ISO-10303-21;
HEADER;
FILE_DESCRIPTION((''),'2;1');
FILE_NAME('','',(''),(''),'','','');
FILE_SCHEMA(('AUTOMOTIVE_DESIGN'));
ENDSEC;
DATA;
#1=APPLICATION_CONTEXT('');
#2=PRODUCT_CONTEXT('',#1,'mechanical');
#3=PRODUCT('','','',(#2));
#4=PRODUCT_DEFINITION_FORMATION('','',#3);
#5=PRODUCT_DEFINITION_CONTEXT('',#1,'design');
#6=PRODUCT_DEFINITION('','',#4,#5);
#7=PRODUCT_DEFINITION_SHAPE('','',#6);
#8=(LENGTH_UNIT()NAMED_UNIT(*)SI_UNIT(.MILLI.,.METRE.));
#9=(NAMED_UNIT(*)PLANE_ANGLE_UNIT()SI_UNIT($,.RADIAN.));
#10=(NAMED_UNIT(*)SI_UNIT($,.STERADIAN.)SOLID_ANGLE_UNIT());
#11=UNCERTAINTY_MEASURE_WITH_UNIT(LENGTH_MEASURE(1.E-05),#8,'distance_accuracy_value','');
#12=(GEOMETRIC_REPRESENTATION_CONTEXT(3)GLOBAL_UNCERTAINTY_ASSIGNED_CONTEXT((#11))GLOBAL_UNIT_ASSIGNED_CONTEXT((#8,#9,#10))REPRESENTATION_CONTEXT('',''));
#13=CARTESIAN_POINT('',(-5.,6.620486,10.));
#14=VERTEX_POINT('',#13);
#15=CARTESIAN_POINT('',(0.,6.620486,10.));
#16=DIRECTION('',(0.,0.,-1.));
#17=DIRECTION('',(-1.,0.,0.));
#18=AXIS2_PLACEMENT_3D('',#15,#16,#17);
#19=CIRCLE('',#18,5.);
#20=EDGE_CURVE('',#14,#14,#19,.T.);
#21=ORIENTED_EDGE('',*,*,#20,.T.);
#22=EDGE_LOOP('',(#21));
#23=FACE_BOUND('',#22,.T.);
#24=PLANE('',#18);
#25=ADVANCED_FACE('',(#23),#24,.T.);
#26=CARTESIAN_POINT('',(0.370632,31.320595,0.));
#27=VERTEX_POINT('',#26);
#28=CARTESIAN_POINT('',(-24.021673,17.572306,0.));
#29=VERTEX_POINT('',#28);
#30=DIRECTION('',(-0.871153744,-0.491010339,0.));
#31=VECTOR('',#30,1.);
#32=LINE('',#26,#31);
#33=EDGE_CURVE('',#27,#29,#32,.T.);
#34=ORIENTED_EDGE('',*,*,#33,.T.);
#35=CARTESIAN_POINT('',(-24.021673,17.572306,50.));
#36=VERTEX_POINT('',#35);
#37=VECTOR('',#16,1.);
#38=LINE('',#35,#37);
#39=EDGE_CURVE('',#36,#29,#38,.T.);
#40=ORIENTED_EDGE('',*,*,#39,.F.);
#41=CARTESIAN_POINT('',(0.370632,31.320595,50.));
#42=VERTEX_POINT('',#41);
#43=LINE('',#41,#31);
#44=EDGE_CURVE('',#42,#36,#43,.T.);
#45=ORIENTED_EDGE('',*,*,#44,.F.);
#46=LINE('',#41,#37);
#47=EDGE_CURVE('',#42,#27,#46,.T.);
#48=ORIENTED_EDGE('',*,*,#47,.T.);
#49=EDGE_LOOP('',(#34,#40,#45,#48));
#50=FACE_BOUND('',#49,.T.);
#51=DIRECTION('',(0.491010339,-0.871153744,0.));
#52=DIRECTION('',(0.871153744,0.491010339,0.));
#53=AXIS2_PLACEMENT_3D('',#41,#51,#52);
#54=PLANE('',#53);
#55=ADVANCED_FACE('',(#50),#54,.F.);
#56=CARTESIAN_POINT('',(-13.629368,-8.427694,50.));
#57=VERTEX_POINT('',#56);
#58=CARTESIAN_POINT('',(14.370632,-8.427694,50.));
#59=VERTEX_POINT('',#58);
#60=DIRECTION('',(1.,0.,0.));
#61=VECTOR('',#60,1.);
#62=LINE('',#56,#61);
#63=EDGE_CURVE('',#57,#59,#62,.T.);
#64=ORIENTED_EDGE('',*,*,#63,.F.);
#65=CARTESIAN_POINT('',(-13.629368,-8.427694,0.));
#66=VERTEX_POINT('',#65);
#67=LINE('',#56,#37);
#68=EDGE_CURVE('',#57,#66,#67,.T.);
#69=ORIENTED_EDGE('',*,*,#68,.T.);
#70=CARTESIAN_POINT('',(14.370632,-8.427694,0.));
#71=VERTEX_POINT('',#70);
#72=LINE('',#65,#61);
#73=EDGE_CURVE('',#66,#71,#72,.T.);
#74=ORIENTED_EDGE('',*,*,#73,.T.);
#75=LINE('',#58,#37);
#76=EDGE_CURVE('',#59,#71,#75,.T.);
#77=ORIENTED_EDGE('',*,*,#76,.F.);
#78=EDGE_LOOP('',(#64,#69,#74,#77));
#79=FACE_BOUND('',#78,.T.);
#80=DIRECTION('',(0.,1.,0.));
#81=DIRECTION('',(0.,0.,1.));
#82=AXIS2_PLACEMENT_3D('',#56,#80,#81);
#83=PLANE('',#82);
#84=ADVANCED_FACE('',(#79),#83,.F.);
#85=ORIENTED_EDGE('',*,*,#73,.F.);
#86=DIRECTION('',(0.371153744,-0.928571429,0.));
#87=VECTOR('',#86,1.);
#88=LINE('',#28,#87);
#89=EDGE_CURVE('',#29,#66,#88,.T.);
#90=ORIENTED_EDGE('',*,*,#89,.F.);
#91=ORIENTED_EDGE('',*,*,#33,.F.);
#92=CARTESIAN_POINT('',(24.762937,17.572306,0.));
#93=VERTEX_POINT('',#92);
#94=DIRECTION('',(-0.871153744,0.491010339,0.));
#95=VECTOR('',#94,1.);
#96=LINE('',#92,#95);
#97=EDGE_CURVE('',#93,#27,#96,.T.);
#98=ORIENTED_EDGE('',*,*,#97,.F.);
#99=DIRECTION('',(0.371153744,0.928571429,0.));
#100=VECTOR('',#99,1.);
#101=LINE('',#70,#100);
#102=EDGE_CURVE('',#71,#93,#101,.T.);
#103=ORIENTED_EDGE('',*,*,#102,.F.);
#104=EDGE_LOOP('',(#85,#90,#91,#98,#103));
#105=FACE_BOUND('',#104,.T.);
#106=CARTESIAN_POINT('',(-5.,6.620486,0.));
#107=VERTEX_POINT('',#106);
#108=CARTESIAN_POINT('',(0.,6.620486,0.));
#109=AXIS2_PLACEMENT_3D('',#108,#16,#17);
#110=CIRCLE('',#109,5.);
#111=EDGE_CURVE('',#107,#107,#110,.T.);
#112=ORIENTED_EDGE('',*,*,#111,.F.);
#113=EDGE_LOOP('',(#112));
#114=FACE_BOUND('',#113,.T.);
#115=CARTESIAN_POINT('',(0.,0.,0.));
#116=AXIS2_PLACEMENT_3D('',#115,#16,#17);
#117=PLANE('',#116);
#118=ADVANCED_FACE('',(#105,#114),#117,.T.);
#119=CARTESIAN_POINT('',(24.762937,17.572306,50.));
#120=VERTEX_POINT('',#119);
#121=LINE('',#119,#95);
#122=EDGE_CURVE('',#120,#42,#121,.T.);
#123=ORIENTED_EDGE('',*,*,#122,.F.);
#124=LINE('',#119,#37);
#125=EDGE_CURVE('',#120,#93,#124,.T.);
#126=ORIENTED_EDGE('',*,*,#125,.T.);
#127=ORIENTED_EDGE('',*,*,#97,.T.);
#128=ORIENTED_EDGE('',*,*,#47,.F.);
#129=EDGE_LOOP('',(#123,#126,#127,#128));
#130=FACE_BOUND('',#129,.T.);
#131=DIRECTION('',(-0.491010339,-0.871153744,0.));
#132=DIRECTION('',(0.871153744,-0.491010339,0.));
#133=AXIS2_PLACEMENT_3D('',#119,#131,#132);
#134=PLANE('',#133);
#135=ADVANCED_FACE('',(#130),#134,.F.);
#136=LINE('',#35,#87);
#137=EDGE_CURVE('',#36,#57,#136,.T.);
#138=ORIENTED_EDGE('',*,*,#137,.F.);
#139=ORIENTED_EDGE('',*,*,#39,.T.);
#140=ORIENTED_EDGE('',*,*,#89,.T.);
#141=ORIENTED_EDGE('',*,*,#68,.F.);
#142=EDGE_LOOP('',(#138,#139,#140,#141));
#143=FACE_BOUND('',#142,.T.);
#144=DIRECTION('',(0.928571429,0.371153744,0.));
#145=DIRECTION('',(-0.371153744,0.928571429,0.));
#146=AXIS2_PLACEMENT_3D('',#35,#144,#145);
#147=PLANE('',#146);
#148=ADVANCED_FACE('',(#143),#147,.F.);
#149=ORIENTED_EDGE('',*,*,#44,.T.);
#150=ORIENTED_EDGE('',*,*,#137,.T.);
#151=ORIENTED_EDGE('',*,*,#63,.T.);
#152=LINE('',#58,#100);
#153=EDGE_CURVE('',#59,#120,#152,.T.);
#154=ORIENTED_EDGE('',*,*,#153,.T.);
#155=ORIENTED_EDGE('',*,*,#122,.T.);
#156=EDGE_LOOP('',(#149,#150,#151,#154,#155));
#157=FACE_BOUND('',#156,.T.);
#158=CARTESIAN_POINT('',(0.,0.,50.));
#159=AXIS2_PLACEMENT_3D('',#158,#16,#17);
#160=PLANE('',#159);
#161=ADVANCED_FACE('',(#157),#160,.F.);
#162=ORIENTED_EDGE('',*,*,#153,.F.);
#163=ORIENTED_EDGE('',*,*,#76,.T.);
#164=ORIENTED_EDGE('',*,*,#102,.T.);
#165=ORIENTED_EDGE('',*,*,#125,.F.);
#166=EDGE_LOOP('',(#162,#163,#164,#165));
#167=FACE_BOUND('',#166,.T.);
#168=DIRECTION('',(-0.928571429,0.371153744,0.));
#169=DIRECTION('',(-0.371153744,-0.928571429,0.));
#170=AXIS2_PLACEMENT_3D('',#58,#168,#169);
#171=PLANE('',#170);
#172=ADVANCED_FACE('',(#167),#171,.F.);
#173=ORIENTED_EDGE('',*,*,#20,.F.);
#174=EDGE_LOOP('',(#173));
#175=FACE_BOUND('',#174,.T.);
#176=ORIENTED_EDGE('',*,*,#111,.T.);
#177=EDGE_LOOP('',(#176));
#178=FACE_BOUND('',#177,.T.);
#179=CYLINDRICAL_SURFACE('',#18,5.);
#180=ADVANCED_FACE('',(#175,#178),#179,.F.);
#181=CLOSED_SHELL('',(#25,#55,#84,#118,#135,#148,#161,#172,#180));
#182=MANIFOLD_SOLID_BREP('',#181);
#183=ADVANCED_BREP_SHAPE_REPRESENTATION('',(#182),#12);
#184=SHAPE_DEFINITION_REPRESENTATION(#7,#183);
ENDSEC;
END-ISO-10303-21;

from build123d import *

# Parameters (mm, degrees)
SALIENTE_EXTRUIR1_DEPTH = 50
CROQUIS3_R              = 5
CORTAR_EXTRUIR1_DEPTH   = 10


with BuildPart() as part:
    # Croquis2 → Saliente-Extruir1 (new body)
    with BuildSketch(Plane.XY):
        Polygon((0.370632199, 31.320595283), (-24.021672647, 17.572305777), (-13.629367801, -8.427694223), (14.370632199, -8.427694223), (24.762937044, 17.572305777), align=None)
    extrude(amount=SALIENTE_EXTRUIR1_DEPTH)

    # Croquis3 → Cortar-Extruir1 (cut)
    with BuildSketch(Plane(origin=(0, 0, 0), x_dir=(-1, 0, 0), z_dir=(0, 0, -1))):
        with Locations((0, 6.620486491)):
            Circle(CROQUIS3_R)
    extrude(amount=-CORTAR_EXTRUIR1_DEPTH, mode=Mode.SUBTRACT)


solid = part.part
